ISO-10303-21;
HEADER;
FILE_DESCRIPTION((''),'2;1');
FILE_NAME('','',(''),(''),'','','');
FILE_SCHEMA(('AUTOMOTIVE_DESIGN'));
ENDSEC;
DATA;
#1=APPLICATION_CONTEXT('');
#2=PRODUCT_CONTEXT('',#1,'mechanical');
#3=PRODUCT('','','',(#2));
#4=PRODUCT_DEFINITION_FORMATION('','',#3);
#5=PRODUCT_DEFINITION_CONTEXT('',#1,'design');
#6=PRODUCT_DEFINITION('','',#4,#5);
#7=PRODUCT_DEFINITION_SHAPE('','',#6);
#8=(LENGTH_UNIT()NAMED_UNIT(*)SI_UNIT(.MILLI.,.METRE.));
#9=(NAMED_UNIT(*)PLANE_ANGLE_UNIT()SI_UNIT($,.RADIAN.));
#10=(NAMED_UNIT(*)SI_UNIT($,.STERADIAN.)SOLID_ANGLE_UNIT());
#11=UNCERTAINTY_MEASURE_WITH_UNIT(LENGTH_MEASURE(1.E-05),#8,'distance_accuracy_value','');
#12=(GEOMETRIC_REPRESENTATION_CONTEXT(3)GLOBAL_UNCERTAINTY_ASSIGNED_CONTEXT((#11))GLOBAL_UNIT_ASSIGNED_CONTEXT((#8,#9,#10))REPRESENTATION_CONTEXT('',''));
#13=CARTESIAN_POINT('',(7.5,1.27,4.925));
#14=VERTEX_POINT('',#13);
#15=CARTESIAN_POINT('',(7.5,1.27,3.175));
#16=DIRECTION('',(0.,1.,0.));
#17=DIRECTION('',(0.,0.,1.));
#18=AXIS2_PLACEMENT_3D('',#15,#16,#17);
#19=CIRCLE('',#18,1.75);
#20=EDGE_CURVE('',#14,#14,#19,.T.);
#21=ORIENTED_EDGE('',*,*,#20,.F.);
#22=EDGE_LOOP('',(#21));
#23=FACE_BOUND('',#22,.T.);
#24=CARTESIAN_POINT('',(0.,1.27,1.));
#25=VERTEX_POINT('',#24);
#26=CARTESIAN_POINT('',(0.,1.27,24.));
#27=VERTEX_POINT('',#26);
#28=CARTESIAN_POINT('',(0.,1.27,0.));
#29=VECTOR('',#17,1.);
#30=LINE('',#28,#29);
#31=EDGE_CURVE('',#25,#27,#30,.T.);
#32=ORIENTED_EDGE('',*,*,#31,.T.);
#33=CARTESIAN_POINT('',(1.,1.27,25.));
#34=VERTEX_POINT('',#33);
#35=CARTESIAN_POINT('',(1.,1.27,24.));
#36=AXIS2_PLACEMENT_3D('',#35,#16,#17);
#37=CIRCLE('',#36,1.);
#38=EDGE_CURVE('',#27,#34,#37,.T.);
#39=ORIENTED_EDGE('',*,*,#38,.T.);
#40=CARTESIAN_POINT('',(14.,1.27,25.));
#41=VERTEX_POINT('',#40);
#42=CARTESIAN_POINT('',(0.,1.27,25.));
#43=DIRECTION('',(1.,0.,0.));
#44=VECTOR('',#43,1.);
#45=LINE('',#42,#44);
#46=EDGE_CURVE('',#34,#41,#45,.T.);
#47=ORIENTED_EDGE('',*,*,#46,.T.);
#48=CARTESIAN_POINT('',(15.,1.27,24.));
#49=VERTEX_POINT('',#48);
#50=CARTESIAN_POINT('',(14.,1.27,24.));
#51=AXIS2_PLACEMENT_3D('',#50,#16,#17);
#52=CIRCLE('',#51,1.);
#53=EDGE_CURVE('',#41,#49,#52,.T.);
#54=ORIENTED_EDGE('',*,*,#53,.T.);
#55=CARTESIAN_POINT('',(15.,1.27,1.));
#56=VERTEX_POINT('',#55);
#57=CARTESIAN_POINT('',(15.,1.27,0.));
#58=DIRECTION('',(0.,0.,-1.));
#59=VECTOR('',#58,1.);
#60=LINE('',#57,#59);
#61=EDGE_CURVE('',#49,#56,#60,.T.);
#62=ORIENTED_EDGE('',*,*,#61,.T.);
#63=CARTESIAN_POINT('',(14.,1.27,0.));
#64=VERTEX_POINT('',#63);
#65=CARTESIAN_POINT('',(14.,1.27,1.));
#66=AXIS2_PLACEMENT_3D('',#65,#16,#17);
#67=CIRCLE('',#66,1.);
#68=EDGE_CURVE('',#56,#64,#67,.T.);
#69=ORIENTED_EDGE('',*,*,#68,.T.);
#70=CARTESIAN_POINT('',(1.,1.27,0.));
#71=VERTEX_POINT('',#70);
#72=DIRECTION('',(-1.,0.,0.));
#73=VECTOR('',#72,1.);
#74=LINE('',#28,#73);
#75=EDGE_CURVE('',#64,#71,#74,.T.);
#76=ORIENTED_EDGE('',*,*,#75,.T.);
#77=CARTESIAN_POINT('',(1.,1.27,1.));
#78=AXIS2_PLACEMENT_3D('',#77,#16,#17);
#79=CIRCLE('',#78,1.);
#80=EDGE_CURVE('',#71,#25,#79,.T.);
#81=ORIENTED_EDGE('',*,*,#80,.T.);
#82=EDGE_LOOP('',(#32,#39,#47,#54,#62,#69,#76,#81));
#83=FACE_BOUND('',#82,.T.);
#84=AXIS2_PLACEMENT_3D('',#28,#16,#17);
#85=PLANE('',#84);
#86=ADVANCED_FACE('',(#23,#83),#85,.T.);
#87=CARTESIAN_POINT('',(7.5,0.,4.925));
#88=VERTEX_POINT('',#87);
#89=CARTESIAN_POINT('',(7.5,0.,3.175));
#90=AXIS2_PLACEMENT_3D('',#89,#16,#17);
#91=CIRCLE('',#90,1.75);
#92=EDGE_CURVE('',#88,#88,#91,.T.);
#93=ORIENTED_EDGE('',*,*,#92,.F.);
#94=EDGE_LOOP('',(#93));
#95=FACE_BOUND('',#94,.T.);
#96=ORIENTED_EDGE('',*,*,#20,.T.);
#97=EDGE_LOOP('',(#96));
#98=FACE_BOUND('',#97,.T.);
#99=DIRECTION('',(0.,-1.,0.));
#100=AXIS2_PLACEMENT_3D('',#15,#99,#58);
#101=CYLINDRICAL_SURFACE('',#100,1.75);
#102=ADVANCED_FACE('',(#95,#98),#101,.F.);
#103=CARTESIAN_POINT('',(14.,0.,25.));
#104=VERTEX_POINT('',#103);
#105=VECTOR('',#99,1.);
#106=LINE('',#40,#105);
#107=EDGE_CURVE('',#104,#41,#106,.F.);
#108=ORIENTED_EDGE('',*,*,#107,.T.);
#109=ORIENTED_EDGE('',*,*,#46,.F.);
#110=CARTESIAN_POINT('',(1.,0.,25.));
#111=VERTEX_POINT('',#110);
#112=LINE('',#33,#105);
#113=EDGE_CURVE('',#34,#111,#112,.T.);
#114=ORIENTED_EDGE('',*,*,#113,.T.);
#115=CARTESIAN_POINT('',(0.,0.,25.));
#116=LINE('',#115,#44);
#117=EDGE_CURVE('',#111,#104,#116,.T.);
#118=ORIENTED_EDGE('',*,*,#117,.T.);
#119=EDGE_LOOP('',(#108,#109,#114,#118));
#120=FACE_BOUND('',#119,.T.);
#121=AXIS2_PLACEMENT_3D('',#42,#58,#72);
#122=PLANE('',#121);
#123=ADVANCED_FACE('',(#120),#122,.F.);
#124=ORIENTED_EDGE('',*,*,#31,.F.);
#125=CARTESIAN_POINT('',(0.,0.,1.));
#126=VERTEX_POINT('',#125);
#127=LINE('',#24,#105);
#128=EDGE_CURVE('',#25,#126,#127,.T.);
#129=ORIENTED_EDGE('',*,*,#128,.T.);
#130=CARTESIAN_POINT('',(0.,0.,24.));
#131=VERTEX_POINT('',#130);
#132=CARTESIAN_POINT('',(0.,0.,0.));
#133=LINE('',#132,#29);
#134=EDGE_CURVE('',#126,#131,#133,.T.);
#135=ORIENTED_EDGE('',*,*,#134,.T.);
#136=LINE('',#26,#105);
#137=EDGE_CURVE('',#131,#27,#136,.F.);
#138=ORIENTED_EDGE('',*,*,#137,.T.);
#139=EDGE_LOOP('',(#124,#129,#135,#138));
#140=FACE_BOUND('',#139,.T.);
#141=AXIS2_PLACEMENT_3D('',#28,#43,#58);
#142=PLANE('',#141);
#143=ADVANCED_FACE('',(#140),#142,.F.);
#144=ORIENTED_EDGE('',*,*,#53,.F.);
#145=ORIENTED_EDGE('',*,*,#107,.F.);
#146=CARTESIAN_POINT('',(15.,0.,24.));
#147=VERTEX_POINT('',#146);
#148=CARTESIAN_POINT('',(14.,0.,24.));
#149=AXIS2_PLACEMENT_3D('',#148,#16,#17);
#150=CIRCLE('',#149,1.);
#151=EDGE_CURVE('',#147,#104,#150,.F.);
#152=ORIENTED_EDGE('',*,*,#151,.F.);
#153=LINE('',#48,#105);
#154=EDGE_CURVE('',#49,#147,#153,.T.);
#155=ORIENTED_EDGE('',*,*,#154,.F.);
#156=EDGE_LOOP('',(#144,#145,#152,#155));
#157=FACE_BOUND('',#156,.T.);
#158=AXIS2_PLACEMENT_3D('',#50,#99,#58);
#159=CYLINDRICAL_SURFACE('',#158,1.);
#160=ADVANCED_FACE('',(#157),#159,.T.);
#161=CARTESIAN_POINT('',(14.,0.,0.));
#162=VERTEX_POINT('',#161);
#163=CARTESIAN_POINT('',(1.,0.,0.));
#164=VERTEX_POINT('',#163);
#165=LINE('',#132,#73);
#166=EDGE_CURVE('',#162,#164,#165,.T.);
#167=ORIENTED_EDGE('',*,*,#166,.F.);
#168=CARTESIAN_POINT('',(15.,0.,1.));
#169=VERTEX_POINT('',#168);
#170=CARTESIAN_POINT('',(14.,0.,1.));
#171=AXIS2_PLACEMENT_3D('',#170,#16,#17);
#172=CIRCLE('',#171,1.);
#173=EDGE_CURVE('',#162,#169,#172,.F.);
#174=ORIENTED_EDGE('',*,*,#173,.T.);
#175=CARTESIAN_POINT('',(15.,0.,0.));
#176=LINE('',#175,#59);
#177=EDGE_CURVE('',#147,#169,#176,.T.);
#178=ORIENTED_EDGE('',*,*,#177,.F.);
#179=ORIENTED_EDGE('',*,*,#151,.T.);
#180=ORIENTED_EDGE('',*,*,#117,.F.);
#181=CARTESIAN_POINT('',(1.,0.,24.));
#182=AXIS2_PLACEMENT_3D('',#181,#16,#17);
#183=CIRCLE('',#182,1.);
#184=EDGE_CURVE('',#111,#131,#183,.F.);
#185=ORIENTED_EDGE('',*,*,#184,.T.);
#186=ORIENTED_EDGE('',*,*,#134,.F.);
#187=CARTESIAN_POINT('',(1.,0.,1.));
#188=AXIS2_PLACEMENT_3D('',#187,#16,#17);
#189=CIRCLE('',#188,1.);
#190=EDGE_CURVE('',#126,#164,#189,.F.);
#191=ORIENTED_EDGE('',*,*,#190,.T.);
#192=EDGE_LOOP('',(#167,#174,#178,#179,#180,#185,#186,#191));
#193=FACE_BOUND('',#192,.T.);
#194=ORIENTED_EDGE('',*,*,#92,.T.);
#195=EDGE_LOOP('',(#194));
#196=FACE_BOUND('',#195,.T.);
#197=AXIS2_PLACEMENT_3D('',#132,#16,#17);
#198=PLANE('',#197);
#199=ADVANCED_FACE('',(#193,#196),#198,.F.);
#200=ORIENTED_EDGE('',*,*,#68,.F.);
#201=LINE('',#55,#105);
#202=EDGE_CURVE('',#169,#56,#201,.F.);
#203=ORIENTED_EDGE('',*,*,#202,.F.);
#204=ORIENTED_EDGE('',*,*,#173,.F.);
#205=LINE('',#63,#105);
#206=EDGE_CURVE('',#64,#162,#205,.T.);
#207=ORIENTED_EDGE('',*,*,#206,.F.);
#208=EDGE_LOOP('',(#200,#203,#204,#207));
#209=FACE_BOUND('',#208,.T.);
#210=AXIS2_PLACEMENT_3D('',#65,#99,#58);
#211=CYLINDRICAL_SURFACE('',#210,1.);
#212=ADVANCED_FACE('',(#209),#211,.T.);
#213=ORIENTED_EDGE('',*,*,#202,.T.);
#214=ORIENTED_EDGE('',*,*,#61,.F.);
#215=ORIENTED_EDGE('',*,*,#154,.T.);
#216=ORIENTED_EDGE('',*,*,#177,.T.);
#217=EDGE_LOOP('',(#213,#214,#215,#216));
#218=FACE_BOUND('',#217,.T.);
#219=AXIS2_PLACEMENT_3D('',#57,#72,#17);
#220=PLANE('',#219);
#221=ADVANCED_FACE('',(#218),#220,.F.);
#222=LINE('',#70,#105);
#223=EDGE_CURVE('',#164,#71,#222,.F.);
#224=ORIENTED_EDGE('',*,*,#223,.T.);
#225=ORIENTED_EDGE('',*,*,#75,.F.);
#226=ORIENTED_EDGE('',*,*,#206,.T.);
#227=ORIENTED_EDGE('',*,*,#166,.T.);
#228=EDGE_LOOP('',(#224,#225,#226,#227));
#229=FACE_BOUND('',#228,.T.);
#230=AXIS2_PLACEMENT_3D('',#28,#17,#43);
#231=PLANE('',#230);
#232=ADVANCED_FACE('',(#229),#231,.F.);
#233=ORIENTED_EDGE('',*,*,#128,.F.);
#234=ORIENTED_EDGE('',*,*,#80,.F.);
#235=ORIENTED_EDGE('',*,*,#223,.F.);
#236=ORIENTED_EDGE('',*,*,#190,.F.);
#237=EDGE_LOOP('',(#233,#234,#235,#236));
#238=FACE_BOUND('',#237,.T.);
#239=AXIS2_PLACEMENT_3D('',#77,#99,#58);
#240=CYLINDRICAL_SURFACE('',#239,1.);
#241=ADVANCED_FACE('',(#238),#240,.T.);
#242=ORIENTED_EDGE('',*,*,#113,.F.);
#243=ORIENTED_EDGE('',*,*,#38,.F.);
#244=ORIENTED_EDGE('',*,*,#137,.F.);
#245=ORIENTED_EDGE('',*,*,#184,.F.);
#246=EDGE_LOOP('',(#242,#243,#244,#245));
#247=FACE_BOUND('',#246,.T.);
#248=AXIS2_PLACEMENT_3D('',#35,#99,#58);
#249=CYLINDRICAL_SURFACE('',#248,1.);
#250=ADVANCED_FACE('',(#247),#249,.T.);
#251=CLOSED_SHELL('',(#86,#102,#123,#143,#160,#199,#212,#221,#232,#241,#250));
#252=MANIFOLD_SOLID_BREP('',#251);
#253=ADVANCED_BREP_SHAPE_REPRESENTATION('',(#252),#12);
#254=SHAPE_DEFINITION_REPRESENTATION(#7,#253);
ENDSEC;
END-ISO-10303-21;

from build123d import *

# Parameters (mm, degrees)
SKETCH1_W           = 15
SKETCH1_H           = 25
SKETCH1_R           = 1.75
BOSS_EXTRUDE1_DEPTH = 1.27
FILLET1_R           = 1


with BuildPart() as part:
    # Sketch1 → Boss-Extrude1 (new body)
    with BuildSketch(Plane(origin=(0, 0, 0), x_dir=(1, 0, 0), z_dir=(0, 1, 0))):
        with Locations((7.5, -12.5)):
            Rectangle(SKETCH1_W, SKETCH1_H)
        with Locations(Location((7.5, -3.175, 0), (0, 0, 270))):
            Circle(SKETCH1_R, mode=Mode.SUBTRACT)
    extrude(amount=BOSS_EXTRUDE1_DEPTH)

    # Fillet1
    fillet1_edges = [part.edges().sort_by_distance(p)[0] for p in [
        (0, 0.635, 0),
        (15, 0.635, 0),
        (15, 0.635, 25),
        (0, 0.635, 25),
    ]]
    fillet(fillet1_edges, radius=FILLET1_R)


solid = part.part
